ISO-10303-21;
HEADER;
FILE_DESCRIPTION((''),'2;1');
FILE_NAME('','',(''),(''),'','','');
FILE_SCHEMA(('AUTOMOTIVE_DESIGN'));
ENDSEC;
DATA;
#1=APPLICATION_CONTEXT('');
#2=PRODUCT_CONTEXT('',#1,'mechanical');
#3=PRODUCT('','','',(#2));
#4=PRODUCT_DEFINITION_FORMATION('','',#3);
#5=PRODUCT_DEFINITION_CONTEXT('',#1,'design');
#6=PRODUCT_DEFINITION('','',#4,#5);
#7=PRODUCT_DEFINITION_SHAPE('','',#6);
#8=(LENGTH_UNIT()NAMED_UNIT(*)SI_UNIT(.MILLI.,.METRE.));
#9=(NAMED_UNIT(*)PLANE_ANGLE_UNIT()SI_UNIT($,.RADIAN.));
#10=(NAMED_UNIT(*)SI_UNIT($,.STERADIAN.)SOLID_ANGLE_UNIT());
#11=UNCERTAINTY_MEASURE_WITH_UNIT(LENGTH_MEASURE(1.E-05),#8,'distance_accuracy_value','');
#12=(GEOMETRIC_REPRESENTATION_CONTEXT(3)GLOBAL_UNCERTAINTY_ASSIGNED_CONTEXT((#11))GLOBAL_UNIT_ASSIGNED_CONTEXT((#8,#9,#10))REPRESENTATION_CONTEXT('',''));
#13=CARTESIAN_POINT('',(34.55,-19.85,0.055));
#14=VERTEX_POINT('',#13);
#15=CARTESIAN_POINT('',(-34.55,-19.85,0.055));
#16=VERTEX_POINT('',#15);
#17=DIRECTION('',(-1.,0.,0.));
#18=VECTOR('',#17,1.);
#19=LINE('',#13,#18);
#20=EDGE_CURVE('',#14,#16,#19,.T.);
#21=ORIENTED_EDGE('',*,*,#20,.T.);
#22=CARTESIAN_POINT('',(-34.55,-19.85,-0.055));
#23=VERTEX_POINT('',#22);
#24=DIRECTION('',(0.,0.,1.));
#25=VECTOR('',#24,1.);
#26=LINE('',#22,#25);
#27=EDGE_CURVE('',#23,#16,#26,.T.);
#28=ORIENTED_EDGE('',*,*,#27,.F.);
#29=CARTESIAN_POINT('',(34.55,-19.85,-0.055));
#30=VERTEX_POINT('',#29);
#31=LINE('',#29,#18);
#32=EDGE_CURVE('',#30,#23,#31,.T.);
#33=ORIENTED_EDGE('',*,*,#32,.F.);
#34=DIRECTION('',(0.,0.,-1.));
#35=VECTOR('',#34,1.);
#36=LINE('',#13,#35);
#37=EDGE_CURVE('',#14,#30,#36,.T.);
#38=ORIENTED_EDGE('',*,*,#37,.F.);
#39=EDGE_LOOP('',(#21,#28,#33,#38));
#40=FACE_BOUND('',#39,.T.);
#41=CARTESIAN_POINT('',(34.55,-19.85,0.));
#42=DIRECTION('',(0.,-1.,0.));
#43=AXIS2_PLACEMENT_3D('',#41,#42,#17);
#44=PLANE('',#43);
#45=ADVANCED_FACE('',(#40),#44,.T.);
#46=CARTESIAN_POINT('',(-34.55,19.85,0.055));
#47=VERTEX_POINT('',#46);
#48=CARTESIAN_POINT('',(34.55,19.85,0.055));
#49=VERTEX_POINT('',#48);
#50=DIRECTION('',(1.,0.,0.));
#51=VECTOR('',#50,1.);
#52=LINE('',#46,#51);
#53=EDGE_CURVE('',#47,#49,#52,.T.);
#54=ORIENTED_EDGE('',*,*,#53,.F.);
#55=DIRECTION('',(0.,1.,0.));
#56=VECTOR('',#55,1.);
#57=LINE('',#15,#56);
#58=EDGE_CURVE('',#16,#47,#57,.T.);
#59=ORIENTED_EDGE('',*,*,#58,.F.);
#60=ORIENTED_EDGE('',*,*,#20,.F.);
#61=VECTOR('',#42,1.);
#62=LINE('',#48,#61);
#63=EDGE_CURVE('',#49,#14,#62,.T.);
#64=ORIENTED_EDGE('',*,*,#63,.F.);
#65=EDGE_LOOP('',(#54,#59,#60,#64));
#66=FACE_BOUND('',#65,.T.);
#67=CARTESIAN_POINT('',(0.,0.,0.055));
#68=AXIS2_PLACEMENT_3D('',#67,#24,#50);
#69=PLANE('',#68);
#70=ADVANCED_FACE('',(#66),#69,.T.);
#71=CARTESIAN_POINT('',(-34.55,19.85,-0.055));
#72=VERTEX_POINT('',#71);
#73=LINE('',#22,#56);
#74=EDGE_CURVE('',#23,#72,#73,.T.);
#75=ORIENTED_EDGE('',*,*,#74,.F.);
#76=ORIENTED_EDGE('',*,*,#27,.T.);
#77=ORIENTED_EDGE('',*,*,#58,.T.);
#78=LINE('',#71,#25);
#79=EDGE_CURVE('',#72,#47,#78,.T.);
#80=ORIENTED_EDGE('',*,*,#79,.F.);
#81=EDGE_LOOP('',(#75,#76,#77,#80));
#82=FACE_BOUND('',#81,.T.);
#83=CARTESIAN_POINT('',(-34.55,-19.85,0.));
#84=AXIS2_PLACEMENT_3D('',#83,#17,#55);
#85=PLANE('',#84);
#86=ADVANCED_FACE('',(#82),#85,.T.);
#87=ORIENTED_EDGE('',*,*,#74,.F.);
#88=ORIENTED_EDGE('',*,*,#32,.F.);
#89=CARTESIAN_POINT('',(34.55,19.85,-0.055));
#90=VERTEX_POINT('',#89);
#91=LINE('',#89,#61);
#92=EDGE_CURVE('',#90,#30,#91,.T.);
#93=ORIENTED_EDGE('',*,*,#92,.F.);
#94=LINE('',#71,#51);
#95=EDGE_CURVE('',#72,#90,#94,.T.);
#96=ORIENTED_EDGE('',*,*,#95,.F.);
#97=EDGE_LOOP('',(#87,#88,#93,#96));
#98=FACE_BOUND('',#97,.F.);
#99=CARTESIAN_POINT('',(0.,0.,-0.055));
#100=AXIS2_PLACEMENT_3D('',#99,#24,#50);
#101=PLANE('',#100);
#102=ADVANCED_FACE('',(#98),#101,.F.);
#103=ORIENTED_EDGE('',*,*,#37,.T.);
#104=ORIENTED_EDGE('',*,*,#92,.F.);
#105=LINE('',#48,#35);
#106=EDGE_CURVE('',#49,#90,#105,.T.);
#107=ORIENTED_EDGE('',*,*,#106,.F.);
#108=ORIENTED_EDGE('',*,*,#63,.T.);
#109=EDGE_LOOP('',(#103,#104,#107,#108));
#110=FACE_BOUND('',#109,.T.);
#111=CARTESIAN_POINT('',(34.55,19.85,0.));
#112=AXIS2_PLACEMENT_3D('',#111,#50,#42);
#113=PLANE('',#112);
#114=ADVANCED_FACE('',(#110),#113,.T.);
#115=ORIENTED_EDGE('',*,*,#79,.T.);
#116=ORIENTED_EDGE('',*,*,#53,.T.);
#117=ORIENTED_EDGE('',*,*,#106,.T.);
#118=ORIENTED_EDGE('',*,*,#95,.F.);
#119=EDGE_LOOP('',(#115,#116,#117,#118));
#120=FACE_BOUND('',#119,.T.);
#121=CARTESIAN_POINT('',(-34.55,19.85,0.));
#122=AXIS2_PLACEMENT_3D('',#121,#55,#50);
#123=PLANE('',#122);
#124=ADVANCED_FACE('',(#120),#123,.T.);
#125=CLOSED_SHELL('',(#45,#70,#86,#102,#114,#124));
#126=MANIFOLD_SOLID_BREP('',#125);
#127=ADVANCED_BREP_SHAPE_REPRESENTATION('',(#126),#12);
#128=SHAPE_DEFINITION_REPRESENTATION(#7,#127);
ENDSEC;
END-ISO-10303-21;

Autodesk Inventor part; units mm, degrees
ref_plane "YZ Plane" through (0, 0, 0) normal (1, 0, 0) x (0, 1, 0)
ref_plane "XZ Plane" through (0, 0, 0) normal (0, 1, 0) x (-1, 0, 0)
ref_plane "XY Plane" through (0, 0, 0) normal (0, 0, 1) x (1, 0, 0)
sketch "Sketch1" plane through (0, 0, 0) normal (0, 0, 1) x (1, 0, 0)
  line L0 (-34.55, 19.85) -> (34.55, 19.85)
  line L1 (34.55, 19.85) -> (34.55, -19.85)
  line L2 (34.55, -19.85) -> (-34.55, -19.85)
  line L3 (-34.55, -19.85) -> (-34.55, 19.85)
  point P0 (0, 0)
  point P1 (0, 0)
  point P2 (34.55, 0)
  point P3 (0, 19.85)
  dimension "d28" = 69.1
  dimension "d29" = 39.7
extrude "Extrusion1" add sketch "Sketch1" along normal mid plane 0.11
sketch "Sketch2" plane through (0, 0, 0.055) normal (0, 0, 1) x (1, 0, 0)
  line L0 (-59.8379, 27.7762) -> (59.8379, 27.7762) construction
  line L1 (59.8379, 27.7762) -> (59.8379, -27.7762) construction
  line L2 (59.8379, -27.7762) -> (-59.8379, -27.7762) construction
  line L3 (-59.8379, -27.7762) -> (-59.8379, 27.7762) construction
  point P0 (0, 0)
  point P1 (59.8379, 0)
  point P2 (0, 27.7762)
decal "Decal1"
properties part number "QJcell"
